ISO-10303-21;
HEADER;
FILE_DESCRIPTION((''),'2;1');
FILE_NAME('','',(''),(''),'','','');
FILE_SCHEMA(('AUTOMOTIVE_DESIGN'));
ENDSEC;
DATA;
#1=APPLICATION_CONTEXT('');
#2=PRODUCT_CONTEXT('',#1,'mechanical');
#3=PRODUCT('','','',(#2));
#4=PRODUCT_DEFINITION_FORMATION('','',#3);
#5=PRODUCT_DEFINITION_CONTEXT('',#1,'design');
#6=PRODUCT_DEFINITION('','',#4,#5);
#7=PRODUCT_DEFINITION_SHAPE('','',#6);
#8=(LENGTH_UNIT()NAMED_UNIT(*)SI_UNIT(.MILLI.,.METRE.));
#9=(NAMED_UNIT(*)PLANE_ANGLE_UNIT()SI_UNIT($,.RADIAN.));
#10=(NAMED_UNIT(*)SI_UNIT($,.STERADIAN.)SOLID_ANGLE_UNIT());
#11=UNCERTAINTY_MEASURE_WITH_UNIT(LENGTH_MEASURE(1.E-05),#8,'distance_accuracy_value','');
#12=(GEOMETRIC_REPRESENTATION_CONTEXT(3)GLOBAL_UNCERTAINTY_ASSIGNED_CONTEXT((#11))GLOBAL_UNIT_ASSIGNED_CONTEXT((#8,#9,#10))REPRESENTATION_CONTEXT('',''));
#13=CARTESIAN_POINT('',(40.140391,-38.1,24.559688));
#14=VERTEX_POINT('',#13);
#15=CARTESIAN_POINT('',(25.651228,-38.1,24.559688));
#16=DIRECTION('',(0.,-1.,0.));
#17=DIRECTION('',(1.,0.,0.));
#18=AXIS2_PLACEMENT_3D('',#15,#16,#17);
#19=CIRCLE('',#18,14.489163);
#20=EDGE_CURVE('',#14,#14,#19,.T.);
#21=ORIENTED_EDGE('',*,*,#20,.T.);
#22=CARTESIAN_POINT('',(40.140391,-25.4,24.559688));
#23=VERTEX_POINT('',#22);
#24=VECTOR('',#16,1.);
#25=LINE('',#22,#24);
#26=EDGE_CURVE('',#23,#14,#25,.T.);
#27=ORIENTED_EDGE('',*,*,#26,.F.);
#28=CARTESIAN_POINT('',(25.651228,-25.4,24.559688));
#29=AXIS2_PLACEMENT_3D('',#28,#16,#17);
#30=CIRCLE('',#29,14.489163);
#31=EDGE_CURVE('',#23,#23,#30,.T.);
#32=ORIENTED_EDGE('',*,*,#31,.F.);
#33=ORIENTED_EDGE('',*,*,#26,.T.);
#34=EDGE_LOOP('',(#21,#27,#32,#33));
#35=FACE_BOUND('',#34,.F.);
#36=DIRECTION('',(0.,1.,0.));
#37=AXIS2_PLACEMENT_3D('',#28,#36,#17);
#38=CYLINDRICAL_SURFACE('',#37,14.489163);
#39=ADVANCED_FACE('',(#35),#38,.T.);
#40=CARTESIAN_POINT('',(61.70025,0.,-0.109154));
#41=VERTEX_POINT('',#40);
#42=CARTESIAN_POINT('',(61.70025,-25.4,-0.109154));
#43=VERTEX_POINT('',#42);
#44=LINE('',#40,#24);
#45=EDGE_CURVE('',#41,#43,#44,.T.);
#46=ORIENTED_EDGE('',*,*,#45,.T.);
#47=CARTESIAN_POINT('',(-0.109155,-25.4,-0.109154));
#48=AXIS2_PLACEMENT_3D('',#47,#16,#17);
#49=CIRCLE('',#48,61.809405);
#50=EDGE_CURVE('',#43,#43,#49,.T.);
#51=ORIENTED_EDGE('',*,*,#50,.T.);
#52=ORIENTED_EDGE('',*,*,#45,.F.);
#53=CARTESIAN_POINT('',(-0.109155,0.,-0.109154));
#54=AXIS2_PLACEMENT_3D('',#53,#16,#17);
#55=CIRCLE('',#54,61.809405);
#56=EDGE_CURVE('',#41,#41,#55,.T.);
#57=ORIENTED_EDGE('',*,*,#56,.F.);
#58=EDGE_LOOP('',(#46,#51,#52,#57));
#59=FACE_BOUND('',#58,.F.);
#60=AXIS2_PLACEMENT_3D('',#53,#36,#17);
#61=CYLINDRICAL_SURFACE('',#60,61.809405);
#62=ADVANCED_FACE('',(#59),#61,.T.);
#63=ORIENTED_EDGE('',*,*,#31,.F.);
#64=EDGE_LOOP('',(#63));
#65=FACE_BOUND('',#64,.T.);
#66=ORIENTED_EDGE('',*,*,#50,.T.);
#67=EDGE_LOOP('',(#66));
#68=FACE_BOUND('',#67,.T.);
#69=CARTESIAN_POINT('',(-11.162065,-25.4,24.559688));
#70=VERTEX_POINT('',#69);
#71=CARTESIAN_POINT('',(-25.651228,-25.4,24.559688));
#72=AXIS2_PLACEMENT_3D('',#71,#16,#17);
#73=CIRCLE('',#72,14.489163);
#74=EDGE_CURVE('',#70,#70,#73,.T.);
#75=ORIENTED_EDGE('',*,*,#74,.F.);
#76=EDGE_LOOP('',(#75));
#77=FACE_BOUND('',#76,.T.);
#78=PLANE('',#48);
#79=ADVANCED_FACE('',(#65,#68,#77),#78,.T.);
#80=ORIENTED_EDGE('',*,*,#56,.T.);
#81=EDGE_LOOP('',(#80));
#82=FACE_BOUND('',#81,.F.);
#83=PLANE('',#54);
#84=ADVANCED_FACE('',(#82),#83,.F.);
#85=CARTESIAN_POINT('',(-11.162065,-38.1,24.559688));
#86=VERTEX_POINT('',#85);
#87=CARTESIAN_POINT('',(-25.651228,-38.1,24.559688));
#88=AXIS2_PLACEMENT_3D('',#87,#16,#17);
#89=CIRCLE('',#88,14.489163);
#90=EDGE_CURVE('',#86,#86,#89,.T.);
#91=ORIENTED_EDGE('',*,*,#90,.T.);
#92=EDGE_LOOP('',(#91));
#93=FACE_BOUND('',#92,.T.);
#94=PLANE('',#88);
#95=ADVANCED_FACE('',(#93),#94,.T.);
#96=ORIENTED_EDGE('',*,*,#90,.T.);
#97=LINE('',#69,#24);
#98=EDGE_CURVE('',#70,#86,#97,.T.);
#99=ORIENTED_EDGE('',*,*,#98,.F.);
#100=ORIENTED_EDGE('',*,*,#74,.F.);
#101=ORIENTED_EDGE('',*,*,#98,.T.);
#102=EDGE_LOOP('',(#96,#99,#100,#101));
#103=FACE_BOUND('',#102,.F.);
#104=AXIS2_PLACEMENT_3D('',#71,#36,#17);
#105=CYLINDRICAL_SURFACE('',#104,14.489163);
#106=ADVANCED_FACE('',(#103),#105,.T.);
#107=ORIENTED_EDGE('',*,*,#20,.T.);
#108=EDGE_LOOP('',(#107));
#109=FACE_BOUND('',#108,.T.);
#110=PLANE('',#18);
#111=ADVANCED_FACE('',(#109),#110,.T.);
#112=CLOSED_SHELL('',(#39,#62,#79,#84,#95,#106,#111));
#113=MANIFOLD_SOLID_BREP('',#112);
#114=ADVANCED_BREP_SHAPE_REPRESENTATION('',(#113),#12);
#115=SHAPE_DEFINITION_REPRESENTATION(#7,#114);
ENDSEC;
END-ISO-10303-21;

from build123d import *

# Parameters (mm, degrees)
F0_R     = 61.809405
F1_DEPTH = 25.4
F2_R     = 14.489163
F3_DEPTH = 12.7


with BuildPart() as f1:
    # F0 (on Front) → F1 (new body)
    with BuildSketch(Plane.XZ):
        with Locations((-0.109155, -0.109154)):
            Circle(F0_R)
    extrude(amount=F1_DEPTH)

    # F2 (on face) → F3 (join)
    with BuildSketch(Plane.XZ.offset(25.4)):
        with Locations((-25.651228, 24.559688)):
            Circle(F2_R)
        with Locations((25.651228, 24.559688)):
            Circle(F2_R)
    extrude(amount=F3_DEPTH)


solid = f1.part
